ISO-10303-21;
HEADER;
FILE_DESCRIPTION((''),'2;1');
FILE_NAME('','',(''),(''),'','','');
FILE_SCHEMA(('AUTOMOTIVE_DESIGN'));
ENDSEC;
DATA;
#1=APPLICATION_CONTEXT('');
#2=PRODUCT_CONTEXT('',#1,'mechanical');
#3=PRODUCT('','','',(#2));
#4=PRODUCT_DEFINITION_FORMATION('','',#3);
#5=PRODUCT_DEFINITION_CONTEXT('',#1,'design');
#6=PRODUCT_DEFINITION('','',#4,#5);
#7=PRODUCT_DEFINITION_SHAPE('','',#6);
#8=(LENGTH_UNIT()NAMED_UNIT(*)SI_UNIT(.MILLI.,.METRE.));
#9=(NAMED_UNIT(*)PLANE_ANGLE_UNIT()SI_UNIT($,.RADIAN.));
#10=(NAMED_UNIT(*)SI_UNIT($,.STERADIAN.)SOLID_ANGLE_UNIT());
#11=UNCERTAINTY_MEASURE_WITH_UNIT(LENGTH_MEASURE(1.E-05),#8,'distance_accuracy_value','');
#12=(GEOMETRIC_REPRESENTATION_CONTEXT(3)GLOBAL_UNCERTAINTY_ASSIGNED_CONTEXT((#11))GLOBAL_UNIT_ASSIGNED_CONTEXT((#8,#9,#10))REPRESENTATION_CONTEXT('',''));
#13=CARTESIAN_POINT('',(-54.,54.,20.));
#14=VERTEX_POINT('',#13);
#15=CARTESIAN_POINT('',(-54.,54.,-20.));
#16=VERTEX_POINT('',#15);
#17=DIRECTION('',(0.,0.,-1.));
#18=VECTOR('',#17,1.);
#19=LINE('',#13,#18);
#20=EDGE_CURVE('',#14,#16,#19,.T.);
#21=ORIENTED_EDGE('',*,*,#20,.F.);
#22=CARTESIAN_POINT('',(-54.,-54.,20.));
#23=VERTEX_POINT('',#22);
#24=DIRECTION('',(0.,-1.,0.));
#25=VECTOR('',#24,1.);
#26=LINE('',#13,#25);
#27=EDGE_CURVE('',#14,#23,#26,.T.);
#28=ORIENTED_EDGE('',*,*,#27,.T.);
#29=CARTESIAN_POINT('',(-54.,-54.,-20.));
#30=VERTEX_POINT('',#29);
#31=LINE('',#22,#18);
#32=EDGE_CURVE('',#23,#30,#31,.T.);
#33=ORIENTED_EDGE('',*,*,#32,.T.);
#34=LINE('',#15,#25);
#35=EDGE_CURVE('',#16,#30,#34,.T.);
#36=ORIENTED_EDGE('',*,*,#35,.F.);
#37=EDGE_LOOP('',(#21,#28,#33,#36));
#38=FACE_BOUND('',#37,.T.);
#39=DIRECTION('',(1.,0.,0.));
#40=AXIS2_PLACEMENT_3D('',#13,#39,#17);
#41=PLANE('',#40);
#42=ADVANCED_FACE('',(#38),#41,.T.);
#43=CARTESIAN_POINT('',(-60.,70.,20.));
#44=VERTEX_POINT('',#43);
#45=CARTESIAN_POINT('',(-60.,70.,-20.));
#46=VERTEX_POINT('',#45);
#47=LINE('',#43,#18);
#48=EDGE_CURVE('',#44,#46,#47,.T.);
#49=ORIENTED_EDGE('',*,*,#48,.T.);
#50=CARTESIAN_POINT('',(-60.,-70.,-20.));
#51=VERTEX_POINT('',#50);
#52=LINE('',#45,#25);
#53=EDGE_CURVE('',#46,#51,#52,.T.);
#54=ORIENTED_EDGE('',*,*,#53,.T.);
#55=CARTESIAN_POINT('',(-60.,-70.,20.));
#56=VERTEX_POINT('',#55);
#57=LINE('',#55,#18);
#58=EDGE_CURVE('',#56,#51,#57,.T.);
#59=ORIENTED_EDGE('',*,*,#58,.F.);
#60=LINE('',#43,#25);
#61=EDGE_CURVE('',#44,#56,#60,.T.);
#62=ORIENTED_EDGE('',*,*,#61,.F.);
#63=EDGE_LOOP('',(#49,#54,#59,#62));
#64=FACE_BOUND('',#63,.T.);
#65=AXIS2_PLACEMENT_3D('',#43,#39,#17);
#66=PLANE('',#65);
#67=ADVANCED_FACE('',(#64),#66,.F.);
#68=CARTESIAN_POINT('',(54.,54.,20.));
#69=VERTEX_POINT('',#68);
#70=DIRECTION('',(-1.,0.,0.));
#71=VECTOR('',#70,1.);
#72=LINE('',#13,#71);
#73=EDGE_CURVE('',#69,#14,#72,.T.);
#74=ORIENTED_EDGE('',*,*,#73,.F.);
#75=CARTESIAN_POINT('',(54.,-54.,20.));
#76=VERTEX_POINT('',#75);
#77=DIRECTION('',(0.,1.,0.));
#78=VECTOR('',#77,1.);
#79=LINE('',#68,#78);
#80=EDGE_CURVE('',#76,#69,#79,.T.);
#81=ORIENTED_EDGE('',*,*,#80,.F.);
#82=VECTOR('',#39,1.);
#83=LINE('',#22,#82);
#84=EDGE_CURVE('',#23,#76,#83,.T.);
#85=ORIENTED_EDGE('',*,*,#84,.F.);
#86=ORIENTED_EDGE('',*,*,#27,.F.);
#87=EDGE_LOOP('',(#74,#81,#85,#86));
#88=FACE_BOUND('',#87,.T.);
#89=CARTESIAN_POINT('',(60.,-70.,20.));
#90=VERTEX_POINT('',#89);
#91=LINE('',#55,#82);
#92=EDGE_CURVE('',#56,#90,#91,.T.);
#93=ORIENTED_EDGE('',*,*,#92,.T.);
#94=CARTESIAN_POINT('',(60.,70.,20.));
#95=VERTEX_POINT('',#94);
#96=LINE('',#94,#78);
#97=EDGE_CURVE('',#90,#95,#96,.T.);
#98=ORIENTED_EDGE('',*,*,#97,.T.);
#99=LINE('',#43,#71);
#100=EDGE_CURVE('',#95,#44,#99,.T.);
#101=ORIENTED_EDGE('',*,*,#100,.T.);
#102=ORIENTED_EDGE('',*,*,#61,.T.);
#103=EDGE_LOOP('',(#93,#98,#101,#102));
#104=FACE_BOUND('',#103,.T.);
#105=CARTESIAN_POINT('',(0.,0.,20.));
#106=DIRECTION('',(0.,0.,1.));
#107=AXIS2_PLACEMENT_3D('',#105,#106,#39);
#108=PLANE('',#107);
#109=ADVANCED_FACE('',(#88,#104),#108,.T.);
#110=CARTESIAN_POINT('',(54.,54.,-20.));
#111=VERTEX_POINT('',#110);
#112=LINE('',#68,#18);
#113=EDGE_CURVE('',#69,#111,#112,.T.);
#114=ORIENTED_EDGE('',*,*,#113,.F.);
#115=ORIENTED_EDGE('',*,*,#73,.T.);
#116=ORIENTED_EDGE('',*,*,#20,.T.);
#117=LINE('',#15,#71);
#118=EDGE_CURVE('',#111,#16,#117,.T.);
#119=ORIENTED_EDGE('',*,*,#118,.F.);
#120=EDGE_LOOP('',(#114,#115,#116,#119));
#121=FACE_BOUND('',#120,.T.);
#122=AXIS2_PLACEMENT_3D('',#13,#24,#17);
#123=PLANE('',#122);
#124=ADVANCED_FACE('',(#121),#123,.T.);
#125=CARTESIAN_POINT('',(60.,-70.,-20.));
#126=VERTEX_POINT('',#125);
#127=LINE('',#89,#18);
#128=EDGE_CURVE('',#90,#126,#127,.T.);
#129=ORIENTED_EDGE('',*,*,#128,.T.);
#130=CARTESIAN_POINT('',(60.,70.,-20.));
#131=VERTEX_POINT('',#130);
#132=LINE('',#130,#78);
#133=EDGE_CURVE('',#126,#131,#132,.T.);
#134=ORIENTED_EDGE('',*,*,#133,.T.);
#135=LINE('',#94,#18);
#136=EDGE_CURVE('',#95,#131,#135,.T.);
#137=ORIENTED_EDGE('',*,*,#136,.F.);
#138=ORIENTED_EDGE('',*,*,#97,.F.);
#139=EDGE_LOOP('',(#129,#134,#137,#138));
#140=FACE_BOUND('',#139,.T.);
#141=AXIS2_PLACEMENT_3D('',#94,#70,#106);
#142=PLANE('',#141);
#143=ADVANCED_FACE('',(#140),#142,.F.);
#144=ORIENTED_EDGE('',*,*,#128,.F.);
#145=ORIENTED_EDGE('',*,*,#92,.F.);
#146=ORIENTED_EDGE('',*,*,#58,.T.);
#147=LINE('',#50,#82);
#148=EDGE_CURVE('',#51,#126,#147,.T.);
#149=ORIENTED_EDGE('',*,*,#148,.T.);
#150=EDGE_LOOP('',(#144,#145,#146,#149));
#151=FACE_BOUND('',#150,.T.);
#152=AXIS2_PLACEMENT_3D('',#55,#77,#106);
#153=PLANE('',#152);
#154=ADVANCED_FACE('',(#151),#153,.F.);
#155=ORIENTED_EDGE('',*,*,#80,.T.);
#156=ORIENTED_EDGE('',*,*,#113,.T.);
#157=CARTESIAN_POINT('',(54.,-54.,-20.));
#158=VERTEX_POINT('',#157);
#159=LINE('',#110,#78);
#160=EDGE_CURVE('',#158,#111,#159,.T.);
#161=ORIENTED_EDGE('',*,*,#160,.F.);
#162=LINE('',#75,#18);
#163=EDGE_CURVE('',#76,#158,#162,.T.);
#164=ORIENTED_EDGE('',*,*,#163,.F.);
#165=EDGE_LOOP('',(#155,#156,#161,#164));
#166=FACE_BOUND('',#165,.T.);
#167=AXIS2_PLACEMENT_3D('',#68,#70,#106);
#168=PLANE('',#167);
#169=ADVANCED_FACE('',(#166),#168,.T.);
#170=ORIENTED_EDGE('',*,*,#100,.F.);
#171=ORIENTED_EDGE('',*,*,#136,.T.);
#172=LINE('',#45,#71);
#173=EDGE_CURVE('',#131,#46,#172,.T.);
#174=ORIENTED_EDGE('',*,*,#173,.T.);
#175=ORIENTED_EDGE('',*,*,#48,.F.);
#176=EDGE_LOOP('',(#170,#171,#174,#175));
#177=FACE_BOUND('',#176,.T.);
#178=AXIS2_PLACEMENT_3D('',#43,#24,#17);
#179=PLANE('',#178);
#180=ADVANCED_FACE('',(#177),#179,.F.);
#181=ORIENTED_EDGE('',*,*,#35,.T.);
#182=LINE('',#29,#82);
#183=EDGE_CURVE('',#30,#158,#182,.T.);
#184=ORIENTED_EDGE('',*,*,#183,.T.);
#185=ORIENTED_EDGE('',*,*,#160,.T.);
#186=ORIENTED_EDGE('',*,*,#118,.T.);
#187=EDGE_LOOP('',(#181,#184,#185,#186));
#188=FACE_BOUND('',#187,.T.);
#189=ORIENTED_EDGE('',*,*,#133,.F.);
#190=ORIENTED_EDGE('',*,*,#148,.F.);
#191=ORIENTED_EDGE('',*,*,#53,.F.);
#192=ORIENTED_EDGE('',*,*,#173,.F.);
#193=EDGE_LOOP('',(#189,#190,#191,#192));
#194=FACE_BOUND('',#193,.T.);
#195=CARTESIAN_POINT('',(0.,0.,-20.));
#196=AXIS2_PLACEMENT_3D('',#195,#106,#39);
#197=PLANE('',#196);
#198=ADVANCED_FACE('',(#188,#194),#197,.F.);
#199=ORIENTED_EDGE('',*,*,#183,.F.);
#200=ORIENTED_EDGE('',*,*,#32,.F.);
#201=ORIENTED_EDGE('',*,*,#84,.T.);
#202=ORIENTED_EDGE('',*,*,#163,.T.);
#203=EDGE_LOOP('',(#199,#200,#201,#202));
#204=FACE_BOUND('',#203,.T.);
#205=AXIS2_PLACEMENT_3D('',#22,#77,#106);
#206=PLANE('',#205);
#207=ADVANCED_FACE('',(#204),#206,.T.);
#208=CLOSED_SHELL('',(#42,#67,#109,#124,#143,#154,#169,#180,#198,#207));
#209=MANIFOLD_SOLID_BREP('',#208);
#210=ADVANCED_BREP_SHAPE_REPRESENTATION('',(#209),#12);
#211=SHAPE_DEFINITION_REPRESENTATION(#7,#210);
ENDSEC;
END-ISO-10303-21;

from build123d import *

# Parameters (mm, degrees)
SKETCH_1_W      = 120
SKETCH_1_H      = 140
SKETCH_1_W_2    = 108
SKETCH_1_H_2    = 108
EXTRUDE_1_DEPTH = 20


with BuildPart() as part:
    # 草图1 → 凸台-拉伸1 (new, symmetric)
    with BuildSketch(Plane.XY):
        Rectangle(SKETCH_1_W, SKETCH_1_H)
        Rectangle(SKETCH_1_W_2, SKETCH_1_H_2, mode=Mode.SUBTRACT)
    extrude(amount=EXTRUDE_1_DEPTH, both=True)


solid = part.part
